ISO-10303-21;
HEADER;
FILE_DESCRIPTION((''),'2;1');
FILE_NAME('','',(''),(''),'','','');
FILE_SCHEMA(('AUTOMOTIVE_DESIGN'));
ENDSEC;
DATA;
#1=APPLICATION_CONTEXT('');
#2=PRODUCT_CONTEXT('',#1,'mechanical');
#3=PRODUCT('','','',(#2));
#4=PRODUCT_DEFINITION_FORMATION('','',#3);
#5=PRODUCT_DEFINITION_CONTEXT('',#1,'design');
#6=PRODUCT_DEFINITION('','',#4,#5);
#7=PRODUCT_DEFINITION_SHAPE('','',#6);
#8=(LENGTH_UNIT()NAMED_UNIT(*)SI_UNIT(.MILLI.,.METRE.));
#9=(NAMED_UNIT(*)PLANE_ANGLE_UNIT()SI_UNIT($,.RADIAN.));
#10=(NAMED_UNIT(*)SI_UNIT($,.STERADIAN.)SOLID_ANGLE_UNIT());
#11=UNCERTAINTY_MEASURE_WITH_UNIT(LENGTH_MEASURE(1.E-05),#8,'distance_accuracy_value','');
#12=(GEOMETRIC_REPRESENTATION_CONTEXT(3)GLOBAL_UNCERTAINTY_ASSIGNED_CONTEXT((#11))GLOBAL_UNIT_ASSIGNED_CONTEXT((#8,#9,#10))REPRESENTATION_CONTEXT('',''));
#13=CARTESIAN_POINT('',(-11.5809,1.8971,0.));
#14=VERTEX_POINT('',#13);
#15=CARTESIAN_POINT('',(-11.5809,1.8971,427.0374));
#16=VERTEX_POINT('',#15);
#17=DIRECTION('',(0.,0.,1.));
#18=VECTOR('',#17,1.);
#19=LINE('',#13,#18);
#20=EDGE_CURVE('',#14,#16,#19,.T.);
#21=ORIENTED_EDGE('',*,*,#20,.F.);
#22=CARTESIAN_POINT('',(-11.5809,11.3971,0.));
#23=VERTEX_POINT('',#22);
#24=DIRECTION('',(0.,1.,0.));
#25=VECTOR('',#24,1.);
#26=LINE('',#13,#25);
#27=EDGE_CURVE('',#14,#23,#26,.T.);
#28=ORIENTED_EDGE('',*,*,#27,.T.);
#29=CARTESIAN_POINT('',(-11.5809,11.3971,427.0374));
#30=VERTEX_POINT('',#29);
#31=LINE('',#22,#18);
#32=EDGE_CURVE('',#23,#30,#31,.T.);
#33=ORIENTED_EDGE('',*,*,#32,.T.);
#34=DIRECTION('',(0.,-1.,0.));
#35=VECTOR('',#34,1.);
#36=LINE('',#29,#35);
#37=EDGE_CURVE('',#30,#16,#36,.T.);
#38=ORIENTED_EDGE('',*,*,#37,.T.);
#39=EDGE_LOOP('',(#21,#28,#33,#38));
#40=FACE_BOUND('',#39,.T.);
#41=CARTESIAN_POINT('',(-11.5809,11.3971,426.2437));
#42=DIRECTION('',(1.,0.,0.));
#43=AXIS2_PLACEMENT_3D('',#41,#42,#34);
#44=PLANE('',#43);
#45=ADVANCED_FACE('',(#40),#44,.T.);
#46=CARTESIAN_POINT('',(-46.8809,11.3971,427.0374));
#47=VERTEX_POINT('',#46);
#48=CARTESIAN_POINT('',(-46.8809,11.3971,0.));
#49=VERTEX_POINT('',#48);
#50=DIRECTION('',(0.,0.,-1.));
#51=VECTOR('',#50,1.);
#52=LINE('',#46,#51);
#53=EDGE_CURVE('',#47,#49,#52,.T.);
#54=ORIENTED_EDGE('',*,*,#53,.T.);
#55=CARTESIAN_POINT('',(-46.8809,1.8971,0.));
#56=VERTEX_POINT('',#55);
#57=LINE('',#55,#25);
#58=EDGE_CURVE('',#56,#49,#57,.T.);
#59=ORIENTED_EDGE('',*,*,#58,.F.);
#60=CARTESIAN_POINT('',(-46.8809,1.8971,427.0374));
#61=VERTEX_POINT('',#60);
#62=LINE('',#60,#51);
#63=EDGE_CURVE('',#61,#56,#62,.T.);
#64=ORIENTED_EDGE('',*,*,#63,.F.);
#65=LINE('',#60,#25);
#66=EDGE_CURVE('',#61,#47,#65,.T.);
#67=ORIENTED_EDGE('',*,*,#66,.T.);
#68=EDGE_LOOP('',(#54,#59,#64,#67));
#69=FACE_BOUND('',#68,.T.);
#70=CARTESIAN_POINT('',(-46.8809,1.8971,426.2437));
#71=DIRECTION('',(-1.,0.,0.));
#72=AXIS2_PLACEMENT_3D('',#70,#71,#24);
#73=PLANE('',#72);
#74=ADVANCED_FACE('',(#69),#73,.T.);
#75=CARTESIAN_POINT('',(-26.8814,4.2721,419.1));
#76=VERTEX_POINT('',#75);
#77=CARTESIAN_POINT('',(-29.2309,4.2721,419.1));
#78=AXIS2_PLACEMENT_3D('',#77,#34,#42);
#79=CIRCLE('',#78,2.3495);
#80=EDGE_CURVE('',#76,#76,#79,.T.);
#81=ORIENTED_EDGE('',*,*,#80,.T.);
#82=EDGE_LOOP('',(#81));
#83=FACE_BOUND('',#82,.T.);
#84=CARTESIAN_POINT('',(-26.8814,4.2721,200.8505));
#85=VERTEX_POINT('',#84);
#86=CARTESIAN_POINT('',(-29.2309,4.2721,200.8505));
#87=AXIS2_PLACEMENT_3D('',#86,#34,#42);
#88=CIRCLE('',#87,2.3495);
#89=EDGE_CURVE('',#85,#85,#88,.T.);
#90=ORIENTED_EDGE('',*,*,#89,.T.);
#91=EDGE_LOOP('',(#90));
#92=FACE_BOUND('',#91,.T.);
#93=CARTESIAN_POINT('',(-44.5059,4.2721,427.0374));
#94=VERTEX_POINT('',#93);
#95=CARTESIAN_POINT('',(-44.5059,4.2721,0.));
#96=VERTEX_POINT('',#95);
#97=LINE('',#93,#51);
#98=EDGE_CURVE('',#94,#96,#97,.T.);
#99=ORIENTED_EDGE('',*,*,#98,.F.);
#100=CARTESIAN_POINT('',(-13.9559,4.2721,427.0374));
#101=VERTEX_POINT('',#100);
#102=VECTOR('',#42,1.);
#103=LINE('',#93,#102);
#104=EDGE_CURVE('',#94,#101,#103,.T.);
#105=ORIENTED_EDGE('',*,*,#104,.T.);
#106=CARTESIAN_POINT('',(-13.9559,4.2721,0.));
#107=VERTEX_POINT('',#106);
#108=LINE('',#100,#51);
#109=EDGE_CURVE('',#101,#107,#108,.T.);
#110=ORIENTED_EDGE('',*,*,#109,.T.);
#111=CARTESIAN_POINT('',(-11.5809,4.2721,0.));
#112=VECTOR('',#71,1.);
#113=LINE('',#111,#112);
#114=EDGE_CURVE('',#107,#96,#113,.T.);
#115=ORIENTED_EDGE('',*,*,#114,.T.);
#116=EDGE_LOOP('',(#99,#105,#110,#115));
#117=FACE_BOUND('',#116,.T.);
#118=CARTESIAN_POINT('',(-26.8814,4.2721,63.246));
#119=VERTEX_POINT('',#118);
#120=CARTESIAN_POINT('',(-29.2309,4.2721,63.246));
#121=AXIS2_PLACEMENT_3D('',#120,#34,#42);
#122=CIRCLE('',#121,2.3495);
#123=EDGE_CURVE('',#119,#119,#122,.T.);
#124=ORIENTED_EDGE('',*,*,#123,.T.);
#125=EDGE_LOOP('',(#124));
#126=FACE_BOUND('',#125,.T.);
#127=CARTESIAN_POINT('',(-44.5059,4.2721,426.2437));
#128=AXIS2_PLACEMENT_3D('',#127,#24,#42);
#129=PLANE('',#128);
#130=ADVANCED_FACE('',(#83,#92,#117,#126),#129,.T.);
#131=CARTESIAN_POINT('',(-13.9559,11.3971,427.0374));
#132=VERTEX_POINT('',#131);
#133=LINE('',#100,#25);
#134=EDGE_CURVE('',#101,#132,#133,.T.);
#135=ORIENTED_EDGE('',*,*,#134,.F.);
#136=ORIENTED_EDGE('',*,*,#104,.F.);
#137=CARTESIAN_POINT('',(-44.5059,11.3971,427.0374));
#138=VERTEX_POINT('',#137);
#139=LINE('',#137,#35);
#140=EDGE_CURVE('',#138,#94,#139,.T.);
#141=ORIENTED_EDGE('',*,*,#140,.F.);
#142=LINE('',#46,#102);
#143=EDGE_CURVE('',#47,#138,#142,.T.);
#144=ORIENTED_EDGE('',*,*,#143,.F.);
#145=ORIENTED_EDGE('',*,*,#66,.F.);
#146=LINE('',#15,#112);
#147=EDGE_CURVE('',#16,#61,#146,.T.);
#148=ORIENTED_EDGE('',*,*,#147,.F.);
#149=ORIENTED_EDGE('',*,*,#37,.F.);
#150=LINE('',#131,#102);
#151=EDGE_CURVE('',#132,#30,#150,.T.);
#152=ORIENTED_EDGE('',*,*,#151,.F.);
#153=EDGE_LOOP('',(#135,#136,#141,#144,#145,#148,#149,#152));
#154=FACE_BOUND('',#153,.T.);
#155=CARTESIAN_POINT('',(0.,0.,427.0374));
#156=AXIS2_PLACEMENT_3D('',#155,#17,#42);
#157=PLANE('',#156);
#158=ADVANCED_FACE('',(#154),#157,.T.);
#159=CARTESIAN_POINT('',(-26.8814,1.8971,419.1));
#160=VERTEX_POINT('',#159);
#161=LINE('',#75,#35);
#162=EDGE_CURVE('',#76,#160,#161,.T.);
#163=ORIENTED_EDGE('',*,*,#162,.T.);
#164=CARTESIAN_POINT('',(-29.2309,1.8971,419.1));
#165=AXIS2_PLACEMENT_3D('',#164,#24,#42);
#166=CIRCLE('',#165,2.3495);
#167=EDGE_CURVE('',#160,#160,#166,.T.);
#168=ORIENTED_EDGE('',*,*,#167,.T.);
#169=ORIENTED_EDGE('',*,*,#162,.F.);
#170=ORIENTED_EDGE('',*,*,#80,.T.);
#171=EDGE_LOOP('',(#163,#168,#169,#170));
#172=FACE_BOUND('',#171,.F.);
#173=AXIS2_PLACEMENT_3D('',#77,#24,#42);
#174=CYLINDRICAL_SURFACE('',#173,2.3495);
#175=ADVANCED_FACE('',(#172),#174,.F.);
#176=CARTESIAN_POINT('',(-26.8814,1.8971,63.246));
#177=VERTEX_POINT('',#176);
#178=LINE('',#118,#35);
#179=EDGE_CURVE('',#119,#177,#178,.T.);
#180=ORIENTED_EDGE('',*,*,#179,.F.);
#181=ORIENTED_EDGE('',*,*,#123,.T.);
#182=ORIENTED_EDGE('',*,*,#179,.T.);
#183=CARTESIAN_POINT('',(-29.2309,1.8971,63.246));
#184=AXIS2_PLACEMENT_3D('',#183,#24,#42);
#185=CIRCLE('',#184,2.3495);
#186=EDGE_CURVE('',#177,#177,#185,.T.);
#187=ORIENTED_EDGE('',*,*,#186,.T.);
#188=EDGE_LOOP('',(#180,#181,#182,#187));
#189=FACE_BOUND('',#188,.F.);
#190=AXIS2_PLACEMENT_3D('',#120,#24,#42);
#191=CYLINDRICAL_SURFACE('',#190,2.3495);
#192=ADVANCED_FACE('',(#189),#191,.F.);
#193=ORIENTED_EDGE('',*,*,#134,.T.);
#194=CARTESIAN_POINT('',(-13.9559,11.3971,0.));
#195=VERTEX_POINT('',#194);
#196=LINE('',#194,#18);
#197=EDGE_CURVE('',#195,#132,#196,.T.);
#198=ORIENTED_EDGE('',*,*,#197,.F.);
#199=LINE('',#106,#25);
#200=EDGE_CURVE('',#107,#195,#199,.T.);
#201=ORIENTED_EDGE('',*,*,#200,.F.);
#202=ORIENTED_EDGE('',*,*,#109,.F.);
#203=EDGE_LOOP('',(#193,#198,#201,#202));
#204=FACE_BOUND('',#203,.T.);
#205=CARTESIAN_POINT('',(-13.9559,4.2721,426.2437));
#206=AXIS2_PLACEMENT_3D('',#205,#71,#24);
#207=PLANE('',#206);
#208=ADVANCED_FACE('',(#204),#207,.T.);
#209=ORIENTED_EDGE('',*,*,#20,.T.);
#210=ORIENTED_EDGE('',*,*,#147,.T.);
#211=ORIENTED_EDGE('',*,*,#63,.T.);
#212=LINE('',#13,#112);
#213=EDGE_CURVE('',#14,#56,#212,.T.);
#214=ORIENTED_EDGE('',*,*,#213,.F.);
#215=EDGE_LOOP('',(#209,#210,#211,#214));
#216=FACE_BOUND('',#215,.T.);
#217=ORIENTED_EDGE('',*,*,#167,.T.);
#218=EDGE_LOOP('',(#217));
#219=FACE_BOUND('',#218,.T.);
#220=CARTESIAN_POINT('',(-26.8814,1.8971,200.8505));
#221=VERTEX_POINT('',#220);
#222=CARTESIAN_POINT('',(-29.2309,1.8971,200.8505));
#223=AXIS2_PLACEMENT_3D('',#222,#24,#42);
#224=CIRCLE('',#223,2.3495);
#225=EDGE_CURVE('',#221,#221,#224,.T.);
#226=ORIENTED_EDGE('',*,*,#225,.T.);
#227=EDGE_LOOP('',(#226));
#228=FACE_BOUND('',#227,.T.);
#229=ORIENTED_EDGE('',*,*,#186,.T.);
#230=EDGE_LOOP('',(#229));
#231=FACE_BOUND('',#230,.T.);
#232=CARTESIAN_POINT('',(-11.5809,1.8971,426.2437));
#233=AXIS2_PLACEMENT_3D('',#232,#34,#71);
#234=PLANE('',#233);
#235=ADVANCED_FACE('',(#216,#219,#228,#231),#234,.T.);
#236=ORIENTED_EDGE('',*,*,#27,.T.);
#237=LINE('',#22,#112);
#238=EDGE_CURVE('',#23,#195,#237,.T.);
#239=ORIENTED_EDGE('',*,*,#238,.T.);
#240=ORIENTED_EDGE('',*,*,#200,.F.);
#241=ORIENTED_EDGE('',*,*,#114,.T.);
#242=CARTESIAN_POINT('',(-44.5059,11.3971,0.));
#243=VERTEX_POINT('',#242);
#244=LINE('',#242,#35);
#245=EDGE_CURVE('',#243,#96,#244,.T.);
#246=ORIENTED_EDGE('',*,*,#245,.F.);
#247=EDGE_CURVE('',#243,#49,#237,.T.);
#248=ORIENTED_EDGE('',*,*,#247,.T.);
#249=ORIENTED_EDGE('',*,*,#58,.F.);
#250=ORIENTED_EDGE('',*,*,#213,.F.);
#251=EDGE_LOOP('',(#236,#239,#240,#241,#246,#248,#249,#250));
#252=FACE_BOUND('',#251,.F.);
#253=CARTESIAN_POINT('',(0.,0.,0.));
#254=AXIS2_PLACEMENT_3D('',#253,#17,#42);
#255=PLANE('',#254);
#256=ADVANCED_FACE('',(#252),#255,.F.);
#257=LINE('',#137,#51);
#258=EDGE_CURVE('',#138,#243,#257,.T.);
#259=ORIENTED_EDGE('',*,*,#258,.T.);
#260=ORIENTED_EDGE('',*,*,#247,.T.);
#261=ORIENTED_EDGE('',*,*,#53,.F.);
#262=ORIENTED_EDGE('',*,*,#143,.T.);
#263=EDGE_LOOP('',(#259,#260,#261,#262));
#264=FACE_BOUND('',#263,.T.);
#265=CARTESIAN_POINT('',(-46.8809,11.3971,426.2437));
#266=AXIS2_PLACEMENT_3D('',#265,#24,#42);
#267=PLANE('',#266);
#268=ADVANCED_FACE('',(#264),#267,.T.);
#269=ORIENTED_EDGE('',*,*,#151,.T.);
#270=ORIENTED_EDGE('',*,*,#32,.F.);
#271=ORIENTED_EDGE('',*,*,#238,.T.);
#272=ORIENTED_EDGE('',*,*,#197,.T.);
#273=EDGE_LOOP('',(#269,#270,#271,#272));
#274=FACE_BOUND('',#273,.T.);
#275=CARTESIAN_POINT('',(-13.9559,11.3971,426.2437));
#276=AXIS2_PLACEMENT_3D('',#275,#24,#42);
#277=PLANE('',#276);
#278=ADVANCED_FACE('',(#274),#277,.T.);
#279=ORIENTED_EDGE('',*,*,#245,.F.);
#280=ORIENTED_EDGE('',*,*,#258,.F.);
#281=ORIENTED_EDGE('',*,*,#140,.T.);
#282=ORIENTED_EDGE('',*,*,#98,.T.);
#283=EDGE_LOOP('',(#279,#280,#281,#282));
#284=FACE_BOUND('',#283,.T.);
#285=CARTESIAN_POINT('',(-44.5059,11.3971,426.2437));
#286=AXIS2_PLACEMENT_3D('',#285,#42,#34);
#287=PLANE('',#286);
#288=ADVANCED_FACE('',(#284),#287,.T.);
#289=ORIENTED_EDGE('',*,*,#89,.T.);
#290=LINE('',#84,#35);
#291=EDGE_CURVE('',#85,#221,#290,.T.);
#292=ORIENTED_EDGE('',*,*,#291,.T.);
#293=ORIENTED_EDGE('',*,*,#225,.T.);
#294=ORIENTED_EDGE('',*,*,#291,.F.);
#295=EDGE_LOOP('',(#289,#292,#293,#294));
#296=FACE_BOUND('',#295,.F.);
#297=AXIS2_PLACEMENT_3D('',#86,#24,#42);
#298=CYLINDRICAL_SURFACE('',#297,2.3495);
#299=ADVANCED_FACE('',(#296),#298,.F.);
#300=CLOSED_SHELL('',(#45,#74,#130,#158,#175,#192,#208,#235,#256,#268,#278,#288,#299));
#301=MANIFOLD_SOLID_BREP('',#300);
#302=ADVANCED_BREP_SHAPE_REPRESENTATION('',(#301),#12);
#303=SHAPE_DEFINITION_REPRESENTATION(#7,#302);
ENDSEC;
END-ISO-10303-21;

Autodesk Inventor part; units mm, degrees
ref_plane "YZ Plane" through (0, 0, 0) normal (1, 0, 0) x (0, 1, 0)
ref_plane "XZ Plane" through (0, 0, 0) normal (0, 1, 0) x (-1, 0, 0)
ref_plane "XY Plane" through (0, 0, 0) normal (0, 0, 1) x (1, 0, 0)
sketch "Sketch1" plane through (0, 0, 0) normal (0, 0, 1) x (1, 0, 0)
  line L0 (-11.5809, 11.3971) -> (-46.8809, 11.3971)
  line L1 (-46.8809, 11.3971) -> (-46.8809, 1.8971)
  line L2 (-46.8809, 1.8971) -> (-11.5809, 1.8971)
  line L3 (-11.5809, 1.8971) -> (-11.5809, 11.3971)
  line L4 (-46.8809, 6.6471) -> (-11.5809, 6.6471)
  line L5 (-11.5809, 6.6471) -> (-11.5809, 1.8971)
  line L6 (-11.5809, 4.2721) -> (-46.8809, 4.2721)
  line L7 (-46.8809, 4.2721) -> (-44.5059, 1.8971)
  line L8 (-46.8809, 4.2721) -> (-43.5221, 4.2721) construction
  line L9 (-44.5059, 1.8971) -> (-44.5059, 11.3971)
  line L10 (-11.5809, 4.2721) -> (-13.9559, 1.8971)
  line L11 (-13.9559, 11.3971) -> (-13.9559, 1.8971)
  point P0 (0, 0)
  dimension "d0" = 35.3
  dimension "d1" = 9.5
  dimension "d2" = 45
extrude "Extrusion1" add sketch "Sketch1" along normal blind 450 contours L3 L4 L11 L0 | L3 L6 L11 L4 | L9 L4 L1 L0 | L10 L11 L6 | L3 L2 L10 | L9 L6 L1 L4 | L11 L2 L9 L6 | L9 L7 L6 | L2 L1 L7
sketch "Sketch2" plane through (-44.5059, 4.2721, 0) normal (0, 1, 0) x (1, 0, 0)
  line L0 (30.55, 0) -> (0, 0) projected
  line L1 (0, -450) -> (30.55, -450) projected
  line L2 (15.275, 0) -> (15.275, -26)
  circle A0 centre (15.275, -26) radius 2.15
  line L3 (15.275, -26) -> (15.275, -410)
  line L4 (15.275, -26) -> (15.275, -378)
  circle A1 centre (15.275, -378) radius 2.15
  circle A2 centre (15.275, -410) radius 2.15
  point P0 (44.5059, 0)
  dimension "d5" = 26
  dimension "d6" = 4.3
  dimension "d7" = 384
  dimension "d8" = 352
extrude "Extrusion2" cut sketch "Sketch2" against normal blind 450
sketch "Sketch3" plane through (0, 0, 450) normal (0, 0, 1) x (1, 0, 0)
  line L0 (-11.5809, 1.8971) -> (-46.8809, 1.8971) projected
  line L1 (-11.5809, 11.3971) -> (-11.5809, 1.8971) projected
  line L2 (-13.9559, 11.3971) -> (-11.5809, 11.3971) projected
  line L3 (-13.9559, 4.2721) -> (-13.9559, 11.3971) projected
  line L4 (-44.5059, 4.2721) -> (-13.9559, 4.2721) projected
  line L5 (-44.5059, 11.3971) -> (-44.5059, 4.2721) projected
  line L6 (-46.8809, 11.3971) -> (-44.5059, 11.3971) projected
  line L7 (-46.8809, 1.8971) -> (-46.8809, 11.3971) projected
  point P0 (0, 0)
extrude "Extrusion3" cut sketch "Sketch3" against normal blind 419.1
sketch "Sketch4" plane through (0, 0, 0) normal (0, 0, -1) x (-1, 0, 0)
  line L0 (11.5809, 1.8971) -> (11.5809, 11.3971) projected
  line L1 (46.8809, 1.8971) -> (11.5809, 1.8971) projected
  line L2 (46.8809, 11.3971) -> (46.8809, 1.8971) projected
  line L3 (44.5059, 11.3971) -> (46.8809, 11.3971) projected
  line L4 (44.5059, 4.2721) -> (44.5059, 11.3971) projected
  line L5 (13.9559, 4.2721) -> (44.5059, 4.2721) projected
  line L6 (13.9559, 11.3971) -> (13.9559, 4.2721) projected
  line L7 (11.5809, 11.3971) -> (13.9559, 11.3971) projected
  point P0 (0, 0)
extrude "Extrusion4" add sketch "Sketch4" against normal blind 426.2437
sketch "Sketch5" plane through (-44.5059, 4.2721, 0) normal (0, 1, 0) x (1, 0, 0)
  line L0 (30.55, 0) -> (0, 0) projected
  line L1 (0, -426.2437) -> (30.55, -426.2437) projected
  line L2 (15.275, 0) -> (15.275, -63.246)
  circle A0 centre (15.275, -63.246) radius 2.3495
  line L3 (15.275, 0) -> (15.275, -203.2)
  line L4 (15.275, -203.2) -> (15.275, -200.8505)
  circle A1 centre (15.275, -200.8505) radius 2.3495
  line L5 (15.275, 0) -> (15.275, -419.1)
  circle A2 centre (15.275, -419.1) radius 2.3495
  point P0 (44.5059, 0)
  dimension "d15" = 63.246
  dimension "d16" = 4.699
  dimension "d17" = 203.2
  dimension "d18" = 2.3495
  dimension "d19" = 419.1
extrude "Extrusion5" cut sketch "Sketch5" against normal blind 426.2437
sketch "Sketch6" plane through (0, 0, 426.2437) normal (0, 0, 1) x (1, 0, 0)
  line L0 (-11.5809, 1.8971) -> (-46.8809, 1.8971) projected
  line L1 (-11.5809, 11.3971) -> (-11.5809, 1.8971) projected
  line L2 (-13.9559, 11.3971) -> (-11.5809, 11.3971) projected
  line L3 (-13.9559, 4.2721) -> (-13.9559, 11.3971) projected
  line L4 (-44.5059, 4.2721) -> (-13.9559, 4.2721) projected
  line L5 (-44.5059, 11.3971) -> (-44.5059, 4.2721) projected
  line L6 (-46.8809, 11.3971) -> (-44.5059, 11.3971) projected
  line L7 (-46.8809, 1.8971) -> (-46.8809, 11.3971) projected
  point P0 (0, 0)
extrude "Extrusion6" add sketch "Sketch6" along normal blind 0.7937
properties part number "1"
